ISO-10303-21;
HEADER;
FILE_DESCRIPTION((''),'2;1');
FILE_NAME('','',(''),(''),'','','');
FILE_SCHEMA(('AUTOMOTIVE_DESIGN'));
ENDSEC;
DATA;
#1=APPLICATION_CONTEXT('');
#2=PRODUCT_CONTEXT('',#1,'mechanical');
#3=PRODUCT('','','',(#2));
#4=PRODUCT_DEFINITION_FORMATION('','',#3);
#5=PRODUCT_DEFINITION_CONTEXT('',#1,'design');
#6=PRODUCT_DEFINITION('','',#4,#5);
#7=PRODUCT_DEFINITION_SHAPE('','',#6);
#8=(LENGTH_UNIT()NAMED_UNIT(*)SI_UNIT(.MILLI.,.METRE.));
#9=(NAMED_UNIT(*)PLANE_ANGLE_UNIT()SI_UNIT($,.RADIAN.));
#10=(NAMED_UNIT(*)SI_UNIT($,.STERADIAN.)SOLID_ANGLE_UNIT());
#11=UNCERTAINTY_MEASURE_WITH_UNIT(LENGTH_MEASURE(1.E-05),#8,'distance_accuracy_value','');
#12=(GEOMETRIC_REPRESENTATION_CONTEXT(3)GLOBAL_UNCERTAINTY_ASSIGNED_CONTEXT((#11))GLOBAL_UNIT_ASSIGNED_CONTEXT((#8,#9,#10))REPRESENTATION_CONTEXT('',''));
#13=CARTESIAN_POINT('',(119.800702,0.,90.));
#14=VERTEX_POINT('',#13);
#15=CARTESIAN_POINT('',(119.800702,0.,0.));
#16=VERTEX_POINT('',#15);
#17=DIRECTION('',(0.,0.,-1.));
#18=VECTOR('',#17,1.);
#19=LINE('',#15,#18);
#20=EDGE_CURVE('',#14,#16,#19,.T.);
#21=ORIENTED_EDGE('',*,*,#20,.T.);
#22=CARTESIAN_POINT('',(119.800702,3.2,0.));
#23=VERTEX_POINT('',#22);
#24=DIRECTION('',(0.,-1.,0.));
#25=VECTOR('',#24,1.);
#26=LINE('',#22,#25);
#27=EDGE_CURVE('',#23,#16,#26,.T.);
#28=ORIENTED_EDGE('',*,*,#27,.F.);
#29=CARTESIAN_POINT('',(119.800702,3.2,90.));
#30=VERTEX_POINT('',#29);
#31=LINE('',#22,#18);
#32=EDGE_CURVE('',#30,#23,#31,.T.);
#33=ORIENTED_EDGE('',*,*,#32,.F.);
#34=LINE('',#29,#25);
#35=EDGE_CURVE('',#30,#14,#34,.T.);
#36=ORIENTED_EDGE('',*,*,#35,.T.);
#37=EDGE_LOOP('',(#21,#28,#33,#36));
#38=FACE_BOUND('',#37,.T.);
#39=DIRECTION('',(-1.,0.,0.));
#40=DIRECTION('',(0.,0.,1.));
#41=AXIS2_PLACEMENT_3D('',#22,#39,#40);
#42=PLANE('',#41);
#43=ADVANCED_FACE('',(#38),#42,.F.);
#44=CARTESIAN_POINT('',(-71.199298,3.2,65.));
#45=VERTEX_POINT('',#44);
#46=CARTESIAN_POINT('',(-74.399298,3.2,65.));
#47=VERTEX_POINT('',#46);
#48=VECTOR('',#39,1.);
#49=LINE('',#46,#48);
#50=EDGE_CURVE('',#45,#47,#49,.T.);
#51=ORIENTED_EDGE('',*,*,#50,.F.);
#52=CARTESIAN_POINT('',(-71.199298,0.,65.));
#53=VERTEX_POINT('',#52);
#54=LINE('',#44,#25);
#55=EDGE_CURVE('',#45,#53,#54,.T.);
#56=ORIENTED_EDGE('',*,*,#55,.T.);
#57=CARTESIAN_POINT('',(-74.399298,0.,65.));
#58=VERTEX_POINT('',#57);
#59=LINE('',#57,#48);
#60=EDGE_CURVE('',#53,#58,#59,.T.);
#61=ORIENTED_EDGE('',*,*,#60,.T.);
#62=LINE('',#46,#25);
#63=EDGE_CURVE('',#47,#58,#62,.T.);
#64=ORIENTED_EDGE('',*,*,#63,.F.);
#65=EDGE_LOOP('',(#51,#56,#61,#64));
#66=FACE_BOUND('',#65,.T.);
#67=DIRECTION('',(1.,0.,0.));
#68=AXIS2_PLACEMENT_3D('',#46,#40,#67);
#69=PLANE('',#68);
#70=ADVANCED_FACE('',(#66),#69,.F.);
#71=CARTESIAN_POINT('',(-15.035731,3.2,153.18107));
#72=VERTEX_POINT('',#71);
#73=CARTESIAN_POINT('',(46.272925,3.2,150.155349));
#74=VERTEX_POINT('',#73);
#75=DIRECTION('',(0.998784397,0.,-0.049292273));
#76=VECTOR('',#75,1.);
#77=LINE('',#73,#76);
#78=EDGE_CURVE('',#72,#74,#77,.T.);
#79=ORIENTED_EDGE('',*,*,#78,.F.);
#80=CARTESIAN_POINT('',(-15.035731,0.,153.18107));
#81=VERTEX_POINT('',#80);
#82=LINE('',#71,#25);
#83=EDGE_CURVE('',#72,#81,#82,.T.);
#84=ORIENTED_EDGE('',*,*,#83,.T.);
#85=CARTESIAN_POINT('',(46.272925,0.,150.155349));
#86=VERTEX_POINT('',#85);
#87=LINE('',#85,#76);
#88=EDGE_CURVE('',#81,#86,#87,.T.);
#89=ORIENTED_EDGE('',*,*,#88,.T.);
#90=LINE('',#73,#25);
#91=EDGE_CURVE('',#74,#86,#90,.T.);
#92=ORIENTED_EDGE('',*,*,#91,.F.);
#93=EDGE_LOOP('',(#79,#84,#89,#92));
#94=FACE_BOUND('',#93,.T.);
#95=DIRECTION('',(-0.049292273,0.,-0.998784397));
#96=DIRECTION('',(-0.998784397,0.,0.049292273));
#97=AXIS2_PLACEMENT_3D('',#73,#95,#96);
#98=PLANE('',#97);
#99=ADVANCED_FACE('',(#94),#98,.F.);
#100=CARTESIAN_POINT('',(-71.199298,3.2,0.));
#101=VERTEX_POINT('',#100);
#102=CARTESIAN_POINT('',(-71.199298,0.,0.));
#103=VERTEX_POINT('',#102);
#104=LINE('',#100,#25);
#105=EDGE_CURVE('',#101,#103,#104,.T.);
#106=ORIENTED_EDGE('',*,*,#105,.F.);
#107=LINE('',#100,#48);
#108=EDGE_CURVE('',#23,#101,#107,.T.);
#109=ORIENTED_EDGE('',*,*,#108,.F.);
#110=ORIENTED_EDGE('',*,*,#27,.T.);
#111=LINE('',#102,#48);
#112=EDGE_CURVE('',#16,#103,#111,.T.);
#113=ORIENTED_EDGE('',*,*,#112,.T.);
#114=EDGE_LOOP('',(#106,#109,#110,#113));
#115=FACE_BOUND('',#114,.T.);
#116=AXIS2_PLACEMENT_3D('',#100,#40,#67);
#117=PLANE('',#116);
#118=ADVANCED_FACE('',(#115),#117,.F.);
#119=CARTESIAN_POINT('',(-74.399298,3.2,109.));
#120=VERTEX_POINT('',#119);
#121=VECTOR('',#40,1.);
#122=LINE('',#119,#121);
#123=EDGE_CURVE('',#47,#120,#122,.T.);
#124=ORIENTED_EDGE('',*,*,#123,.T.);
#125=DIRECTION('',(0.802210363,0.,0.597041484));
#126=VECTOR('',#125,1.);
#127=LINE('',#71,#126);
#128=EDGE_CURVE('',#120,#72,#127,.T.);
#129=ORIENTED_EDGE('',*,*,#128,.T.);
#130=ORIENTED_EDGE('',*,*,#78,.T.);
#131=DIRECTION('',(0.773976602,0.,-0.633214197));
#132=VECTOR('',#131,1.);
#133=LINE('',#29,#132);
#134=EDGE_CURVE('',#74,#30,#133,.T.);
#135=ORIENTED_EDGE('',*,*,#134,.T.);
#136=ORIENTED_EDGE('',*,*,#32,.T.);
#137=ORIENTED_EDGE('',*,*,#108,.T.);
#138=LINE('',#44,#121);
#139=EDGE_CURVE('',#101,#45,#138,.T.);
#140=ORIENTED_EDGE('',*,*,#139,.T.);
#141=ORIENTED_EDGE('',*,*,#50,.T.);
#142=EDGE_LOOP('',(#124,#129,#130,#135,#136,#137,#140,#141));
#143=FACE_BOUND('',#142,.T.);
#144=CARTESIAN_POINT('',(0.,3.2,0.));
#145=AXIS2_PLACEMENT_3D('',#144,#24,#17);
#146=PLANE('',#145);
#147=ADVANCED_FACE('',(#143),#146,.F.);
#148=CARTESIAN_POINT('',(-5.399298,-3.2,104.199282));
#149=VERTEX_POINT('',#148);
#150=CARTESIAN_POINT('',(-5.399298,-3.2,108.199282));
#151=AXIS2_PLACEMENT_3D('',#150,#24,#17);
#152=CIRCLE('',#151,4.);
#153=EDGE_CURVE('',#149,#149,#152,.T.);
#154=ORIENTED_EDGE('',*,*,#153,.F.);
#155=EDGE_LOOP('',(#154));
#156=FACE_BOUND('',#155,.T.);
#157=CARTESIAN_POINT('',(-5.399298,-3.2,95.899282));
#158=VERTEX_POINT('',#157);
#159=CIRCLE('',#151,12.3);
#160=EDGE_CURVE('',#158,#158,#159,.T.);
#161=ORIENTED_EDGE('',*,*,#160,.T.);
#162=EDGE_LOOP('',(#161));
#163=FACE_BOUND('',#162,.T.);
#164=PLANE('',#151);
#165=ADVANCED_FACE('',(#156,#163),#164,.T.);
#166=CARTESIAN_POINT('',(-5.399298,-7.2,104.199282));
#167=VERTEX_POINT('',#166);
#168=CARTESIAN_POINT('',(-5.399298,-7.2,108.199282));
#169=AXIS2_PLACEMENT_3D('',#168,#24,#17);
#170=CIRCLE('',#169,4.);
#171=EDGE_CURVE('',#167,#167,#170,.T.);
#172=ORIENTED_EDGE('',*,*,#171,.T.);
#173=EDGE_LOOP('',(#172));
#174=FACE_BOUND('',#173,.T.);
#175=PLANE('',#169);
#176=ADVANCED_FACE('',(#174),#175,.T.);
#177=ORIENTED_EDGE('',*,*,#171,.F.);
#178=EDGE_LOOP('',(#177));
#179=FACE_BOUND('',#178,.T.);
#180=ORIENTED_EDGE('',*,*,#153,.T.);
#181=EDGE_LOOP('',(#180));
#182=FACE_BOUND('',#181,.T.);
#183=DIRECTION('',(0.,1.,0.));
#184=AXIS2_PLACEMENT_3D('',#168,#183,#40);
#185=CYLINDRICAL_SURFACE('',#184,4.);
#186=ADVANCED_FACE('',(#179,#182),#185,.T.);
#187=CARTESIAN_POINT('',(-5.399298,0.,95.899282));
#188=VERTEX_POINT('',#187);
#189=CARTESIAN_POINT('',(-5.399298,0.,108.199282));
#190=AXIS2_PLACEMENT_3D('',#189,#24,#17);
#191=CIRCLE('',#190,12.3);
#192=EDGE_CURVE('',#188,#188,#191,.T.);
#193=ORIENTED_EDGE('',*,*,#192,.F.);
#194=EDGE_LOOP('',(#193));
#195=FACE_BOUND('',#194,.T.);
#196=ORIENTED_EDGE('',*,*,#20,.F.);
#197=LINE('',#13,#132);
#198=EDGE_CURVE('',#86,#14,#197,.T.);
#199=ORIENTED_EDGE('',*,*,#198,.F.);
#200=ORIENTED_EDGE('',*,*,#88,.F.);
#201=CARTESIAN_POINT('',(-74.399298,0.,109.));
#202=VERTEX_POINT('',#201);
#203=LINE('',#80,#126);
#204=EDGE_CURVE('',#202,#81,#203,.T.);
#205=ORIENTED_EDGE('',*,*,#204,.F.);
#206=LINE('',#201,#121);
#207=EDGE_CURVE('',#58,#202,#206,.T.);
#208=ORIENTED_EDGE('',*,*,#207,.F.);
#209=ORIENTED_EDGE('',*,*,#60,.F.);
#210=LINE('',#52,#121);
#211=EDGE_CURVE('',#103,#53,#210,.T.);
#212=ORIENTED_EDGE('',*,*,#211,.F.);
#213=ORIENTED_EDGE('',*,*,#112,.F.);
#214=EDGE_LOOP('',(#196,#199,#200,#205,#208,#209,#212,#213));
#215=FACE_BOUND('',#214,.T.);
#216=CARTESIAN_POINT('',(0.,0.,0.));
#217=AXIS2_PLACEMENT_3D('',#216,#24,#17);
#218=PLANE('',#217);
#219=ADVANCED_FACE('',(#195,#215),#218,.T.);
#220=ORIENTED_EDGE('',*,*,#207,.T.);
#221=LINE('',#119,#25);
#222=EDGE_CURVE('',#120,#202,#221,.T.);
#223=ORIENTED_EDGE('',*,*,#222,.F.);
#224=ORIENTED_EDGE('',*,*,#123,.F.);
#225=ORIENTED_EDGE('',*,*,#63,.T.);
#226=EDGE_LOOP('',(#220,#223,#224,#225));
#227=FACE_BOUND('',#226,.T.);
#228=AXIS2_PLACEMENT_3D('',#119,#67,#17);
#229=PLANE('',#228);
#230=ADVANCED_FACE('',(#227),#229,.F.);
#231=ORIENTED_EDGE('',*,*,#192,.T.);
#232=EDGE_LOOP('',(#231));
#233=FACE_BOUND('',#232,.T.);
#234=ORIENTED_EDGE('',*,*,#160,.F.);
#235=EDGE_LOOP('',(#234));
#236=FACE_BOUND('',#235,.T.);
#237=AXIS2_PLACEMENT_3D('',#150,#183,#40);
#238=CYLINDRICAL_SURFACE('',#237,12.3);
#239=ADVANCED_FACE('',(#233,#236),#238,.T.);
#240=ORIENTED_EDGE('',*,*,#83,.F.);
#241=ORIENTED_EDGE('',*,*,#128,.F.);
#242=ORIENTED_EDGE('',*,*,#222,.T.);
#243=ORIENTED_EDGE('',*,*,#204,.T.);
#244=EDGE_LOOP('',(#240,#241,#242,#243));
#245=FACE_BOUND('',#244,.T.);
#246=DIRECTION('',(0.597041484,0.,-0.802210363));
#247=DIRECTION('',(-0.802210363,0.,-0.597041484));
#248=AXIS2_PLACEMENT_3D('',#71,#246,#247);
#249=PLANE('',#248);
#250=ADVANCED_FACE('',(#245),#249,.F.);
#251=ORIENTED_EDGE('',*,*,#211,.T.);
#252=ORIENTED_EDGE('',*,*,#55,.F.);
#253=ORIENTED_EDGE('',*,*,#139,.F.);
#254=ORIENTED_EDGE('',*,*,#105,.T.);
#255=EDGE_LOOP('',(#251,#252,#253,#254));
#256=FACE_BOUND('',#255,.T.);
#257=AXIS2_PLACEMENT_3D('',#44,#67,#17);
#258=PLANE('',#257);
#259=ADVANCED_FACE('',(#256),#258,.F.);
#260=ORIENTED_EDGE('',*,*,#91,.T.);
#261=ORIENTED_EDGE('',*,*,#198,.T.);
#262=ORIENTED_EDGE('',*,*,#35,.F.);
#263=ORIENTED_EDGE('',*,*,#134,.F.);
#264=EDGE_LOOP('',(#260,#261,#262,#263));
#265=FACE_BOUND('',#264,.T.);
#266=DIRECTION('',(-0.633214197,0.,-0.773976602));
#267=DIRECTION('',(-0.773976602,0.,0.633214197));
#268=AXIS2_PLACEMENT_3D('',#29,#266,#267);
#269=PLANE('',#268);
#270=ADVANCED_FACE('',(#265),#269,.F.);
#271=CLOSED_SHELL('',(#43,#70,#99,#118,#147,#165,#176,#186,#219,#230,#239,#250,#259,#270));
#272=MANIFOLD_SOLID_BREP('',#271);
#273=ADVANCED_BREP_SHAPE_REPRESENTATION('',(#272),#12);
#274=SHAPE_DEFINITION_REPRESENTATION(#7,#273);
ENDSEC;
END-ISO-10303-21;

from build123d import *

# Parameters (mm, degrees)
BOSS_EXTRUDE1_DEPTH = 3.2
SKETCH3_R           = 12.3
BOSS_EXTRUDE2_DEPTH = 3.2
SKETCH4_R           = 4
BOSS_EXTRUDE3_DEPTH = 4


with BuildPart() as part:
    # Sketch1 → Boss-Extrude1 (new body)
    with BuildSketch(Plane(origin=(0, 0, 0), x_dir=(1, 0, 0), z_dir=(0, 1, 0))):
        Polygon((-71.199297972, 0), (119.800702028, 0), (119.800702028, -90), (46.272924854, -150.155348756), (-15.035731115, -153.181069815), (-74.399297972, -109), (-74.399297972, -65), (-71.199297972, -65), align=None)
    extrude(amount=BOSS_EXTRUDE1_DEPTH)

    # Sketch3 → Boss-Extrude2 (add)
    with BuildSketch(Plane.XZ):
        with Locations(Location((-5.399297972, 108.199281837, 0), (0, 0, 270))):
            Circle(SKETCH3_R)
    extrude(amount=BOSS_EXTRUDE2_DEPTH)

    # Sketch4 → Boss-Extrude3 (add)
    with BuildSketch(Plane.XZ.offset(3.2)):
        with Locations(Location((-5.399297972, 108.199281837, 0), (0, 0, 270))):
            Circle(SKETCH4_R)
    extrude(amount=BOSS_EXTRUDE3_DEPTH)


solid = part.part
